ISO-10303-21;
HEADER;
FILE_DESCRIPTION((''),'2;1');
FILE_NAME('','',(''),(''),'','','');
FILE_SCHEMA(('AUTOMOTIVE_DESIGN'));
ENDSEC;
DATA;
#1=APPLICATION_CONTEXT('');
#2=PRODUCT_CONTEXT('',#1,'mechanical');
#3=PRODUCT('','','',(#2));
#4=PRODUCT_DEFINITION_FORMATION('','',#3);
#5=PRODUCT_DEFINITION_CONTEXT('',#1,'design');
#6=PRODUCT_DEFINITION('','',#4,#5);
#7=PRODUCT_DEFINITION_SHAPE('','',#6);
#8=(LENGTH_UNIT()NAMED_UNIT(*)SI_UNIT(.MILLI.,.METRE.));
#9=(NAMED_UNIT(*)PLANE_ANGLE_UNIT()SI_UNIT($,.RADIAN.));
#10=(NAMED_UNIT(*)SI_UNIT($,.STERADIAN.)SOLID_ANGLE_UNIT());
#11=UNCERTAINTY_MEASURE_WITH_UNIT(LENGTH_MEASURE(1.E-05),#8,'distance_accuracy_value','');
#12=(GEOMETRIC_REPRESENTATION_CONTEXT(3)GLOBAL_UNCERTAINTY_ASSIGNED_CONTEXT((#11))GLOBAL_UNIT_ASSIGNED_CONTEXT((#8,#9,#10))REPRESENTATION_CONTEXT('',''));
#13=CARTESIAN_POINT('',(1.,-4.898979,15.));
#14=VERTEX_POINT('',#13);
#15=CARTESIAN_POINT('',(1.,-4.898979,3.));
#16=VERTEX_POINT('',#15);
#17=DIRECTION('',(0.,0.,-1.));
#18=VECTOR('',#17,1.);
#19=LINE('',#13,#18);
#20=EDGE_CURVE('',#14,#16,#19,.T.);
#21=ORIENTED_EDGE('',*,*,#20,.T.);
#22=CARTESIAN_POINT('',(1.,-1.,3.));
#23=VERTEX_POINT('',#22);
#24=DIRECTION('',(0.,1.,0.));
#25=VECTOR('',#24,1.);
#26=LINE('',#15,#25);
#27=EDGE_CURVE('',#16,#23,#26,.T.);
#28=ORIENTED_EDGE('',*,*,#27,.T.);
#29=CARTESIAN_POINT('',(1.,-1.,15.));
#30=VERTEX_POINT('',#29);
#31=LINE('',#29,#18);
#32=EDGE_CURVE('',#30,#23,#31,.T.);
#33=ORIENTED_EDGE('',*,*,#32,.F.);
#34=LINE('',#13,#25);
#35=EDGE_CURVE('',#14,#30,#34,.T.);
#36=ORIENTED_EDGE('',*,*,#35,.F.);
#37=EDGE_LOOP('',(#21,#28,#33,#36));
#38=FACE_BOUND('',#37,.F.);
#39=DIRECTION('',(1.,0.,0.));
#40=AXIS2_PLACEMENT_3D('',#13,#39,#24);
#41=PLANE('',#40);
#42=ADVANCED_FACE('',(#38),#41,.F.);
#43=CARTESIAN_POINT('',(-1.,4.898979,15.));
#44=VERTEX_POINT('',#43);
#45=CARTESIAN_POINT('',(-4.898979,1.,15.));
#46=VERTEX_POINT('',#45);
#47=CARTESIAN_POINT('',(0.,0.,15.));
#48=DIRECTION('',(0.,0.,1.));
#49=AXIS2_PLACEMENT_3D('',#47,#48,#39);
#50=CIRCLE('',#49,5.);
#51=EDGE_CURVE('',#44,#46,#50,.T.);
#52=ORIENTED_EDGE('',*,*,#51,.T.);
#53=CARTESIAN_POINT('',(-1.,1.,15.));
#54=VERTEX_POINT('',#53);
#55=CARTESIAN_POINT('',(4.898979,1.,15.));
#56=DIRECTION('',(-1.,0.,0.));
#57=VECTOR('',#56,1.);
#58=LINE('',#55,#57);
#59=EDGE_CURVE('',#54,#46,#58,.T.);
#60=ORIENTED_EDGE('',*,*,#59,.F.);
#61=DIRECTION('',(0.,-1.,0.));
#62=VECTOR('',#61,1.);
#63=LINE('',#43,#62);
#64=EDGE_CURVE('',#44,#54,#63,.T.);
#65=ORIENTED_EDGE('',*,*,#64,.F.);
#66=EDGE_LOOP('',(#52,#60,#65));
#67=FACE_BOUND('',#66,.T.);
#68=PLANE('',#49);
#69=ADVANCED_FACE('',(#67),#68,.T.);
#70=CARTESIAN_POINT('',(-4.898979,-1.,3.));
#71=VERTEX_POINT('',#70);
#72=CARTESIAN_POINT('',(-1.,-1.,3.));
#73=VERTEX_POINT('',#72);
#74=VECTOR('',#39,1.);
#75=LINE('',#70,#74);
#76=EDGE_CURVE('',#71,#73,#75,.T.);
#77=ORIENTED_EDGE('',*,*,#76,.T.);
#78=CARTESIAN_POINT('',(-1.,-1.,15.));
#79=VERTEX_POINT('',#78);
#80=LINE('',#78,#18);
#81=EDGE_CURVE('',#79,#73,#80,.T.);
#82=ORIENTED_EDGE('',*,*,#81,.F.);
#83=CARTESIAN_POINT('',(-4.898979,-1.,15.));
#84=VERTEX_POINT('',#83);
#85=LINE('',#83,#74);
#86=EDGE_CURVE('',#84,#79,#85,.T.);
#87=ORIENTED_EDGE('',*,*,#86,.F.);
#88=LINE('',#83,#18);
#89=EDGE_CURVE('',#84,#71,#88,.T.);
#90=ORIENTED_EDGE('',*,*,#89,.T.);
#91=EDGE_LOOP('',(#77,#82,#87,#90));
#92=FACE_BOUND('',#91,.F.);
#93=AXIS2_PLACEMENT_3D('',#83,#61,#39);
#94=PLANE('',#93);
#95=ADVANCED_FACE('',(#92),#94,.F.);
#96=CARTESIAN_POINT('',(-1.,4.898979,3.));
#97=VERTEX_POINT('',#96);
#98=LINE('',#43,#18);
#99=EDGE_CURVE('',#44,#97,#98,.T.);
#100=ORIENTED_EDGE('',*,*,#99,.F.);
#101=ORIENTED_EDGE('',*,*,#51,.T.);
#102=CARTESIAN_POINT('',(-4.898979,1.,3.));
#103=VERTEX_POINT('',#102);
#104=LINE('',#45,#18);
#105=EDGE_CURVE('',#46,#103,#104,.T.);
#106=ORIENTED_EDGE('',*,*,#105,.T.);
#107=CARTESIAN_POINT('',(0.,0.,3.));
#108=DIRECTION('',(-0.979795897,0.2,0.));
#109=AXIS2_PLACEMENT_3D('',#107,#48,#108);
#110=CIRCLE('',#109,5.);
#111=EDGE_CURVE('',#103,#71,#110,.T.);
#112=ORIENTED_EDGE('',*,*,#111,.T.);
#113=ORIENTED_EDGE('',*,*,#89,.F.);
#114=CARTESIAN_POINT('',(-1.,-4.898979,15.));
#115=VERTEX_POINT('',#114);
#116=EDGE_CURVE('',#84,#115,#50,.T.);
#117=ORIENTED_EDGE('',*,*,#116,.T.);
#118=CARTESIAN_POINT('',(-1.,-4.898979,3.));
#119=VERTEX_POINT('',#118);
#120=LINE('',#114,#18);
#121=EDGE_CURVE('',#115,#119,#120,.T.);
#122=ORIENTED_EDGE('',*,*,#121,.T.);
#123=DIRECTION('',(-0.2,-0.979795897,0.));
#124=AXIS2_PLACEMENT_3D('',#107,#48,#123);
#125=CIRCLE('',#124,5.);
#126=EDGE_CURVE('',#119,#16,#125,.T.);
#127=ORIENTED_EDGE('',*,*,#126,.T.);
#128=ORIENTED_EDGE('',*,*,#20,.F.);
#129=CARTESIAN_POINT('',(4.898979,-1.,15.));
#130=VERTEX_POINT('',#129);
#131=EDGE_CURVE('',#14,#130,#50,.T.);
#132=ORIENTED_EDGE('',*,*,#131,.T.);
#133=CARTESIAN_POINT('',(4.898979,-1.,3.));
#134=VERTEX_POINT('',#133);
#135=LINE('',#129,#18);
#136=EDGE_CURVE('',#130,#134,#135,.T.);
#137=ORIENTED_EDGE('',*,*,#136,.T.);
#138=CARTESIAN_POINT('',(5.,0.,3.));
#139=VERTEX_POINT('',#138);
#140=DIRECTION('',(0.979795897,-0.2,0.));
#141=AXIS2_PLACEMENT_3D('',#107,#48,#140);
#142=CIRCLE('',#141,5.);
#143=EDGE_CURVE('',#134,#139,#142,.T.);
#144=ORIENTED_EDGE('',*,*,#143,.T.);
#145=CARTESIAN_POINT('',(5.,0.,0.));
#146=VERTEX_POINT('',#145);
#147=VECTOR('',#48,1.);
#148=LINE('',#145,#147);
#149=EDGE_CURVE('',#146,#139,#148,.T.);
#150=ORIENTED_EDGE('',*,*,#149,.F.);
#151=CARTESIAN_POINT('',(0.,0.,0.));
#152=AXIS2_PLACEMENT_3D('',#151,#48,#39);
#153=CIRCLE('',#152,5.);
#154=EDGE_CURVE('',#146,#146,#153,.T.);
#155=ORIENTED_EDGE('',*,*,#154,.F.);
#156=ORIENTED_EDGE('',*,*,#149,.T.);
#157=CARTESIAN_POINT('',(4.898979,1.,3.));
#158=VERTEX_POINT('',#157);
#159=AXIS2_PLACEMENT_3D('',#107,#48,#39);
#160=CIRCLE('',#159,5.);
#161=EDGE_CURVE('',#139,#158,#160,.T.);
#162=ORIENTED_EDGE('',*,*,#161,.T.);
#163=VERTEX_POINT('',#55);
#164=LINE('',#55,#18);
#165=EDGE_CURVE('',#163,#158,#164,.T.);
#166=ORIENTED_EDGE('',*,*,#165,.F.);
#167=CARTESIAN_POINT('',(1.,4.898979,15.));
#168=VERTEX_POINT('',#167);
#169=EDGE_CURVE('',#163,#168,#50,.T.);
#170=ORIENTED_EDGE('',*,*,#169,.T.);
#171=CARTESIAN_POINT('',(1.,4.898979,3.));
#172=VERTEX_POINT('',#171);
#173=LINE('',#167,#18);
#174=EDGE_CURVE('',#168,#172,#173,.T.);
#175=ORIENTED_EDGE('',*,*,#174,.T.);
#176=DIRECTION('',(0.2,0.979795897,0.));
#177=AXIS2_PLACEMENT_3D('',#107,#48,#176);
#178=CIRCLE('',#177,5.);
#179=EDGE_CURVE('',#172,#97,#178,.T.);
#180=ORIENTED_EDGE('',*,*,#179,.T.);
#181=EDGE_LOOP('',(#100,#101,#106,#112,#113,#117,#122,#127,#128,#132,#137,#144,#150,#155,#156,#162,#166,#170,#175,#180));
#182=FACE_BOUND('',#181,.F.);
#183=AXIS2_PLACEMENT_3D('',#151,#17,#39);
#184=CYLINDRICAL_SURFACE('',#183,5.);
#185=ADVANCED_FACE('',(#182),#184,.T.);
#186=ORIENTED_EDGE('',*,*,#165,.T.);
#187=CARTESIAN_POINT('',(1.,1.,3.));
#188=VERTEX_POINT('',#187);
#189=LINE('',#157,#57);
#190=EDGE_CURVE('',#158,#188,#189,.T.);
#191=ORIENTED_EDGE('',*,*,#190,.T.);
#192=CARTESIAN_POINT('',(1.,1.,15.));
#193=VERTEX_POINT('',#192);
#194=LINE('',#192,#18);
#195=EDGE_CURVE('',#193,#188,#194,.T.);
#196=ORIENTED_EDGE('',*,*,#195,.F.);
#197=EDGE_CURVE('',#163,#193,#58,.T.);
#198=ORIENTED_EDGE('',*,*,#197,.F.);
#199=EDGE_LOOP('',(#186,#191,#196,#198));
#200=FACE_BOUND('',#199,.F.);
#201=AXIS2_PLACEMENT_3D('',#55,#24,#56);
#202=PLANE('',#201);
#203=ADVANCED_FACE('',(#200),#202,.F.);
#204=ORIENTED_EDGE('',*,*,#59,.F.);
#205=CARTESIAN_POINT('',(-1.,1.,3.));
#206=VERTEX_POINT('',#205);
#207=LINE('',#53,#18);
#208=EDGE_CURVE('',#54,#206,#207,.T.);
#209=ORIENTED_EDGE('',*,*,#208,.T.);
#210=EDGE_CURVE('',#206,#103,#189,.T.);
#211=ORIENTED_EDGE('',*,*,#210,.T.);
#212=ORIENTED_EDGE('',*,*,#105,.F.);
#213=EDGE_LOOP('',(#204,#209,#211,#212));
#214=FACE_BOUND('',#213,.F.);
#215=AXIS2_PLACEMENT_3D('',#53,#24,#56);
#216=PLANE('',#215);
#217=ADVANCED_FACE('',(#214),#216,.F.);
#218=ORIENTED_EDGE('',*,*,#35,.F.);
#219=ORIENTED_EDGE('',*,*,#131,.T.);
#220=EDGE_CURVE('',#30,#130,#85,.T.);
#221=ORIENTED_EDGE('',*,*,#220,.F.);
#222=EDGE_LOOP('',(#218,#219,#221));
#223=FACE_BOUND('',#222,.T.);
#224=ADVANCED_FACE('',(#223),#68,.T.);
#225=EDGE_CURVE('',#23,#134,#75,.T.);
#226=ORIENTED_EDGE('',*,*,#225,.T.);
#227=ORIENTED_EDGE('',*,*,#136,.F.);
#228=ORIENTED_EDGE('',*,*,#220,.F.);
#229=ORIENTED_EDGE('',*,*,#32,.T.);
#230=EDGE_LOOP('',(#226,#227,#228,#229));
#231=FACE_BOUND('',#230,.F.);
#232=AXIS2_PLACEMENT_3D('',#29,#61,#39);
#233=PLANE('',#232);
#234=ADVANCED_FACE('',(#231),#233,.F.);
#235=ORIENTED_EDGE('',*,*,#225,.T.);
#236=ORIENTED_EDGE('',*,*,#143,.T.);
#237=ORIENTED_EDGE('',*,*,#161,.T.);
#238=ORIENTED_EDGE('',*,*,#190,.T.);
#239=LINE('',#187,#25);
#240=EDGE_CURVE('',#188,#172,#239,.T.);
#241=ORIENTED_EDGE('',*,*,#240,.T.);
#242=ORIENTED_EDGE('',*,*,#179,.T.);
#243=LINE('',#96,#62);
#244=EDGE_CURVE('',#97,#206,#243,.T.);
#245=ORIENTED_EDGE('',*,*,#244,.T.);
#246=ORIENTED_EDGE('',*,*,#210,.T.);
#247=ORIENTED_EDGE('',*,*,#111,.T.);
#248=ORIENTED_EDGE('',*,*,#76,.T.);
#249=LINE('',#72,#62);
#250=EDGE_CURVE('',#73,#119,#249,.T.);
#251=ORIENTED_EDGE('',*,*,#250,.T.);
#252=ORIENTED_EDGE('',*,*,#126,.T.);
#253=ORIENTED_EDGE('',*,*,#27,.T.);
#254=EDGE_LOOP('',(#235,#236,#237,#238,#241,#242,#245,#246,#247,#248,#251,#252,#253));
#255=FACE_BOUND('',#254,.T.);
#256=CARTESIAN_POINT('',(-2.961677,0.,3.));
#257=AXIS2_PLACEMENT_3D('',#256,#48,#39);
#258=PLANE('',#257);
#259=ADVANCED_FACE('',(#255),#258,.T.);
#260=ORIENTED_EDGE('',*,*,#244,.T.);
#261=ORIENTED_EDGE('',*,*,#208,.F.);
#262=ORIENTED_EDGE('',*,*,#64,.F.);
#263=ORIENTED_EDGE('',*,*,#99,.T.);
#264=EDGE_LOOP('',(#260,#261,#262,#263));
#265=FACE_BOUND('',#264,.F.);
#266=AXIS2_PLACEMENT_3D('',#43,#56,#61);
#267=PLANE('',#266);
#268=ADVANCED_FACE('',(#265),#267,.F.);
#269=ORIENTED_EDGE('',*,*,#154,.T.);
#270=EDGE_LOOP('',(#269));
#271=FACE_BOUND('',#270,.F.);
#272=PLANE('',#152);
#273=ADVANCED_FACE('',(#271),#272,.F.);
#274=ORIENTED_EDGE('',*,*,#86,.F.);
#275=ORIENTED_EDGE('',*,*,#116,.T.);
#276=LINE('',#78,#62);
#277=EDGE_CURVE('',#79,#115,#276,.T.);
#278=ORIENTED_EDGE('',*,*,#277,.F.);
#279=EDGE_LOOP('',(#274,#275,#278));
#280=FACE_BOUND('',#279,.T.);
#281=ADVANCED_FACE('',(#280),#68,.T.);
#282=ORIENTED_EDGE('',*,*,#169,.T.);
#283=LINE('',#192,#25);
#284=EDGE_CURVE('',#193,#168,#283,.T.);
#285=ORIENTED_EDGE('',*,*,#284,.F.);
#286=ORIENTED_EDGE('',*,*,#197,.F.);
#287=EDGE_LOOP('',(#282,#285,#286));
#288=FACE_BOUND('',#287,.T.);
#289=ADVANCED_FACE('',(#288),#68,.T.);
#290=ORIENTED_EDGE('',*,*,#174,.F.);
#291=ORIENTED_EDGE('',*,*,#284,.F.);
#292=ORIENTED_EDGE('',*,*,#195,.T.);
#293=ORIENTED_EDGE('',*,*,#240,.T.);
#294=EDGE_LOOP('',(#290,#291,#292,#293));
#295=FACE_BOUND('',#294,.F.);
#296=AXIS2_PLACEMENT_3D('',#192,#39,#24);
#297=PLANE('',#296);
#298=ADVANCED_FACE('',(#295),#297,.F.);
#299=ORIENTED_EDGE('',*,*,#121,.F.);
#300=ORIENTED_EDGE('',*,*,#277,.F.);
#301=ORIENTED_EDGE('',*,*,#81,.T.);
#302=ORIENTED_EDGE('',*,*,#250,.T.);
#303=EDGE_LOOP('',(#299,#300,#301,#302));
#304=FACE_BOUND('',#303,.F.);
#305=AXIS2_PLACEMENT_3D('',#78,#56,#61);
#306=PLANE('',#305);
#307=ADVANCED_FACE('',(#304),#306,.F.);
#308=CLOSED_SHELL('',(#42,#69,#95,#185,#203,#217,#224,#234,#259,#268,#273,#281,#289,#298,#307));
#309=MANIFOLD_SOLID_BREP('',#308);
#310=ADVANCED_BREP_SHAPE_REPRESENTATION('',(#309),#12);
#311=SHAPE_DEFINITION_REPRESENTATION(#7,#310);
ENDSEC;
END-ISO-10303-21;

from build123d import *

# Parameters (mm, degrees)
F0_R     = 5
F1_DEPTH = 15
F2_W     = 2
F2_H     = 2
F3_DEPTH = 12


with BuildPart() as f1:
    # F0 (on Top) → F1 (new body)
    with BuildSketch(Plane.XY):
        Circle(F0_R)
    extrude(amount=F1_DEPTH)

    # F2 (on face) → F3 (cut)
    with BuildSketch(Plane.XY.offset(15)):
        with BuildLine():
            Line((-1, -1), (-1, 1))
            Line((-1, 1), (-4.8989794856, 1))
            ThreePointArc((-4.8989794856, 1), (-5, 0), (-4.8989794856, -1))
            Line((-4.8989794856, -1), (-1, -1))
        make_face()
        Rectangle(F2_W, F2_H)
        with BuildLine():
            Line((4.8989794856, 1), (1, 1))
            Line((1, 1), (1, -1))
            Line((1, -1), (4.8989794856, -1))
            ThreePointArc((4.8989794856, -1), (4.974680765, -0.50254481), (5, 0))
            ThreePointArc((5, 0), (4.974680765, 0.50254481), (4.8989794856, 1))
        make_face()
        with BuildLine():
            ThreePointArc((1, 4.8989794856), (0, 5), (-1, 4.8989794856))
            Line((-1, 4.8989794856), (-1, 1))
            Line((-1, 1), (1, 1))
            Line((1, 1), (1, 4.8989794856))
        make_face()
        with BuildLine():
            Line((1, -1), (-1, -1))
            Line((-1, -1), (-1, -4.8989794856))
            ThreePointArc((-1, -4.8989794856), (0, -5), (1, -4.8989794856))
            Line((1, -4.8989794856), (1, -1))
        make_face()
    extrude(amount=-F3_DEPTH, mode=Mode.SUBTRACT)


solid = f1.part
